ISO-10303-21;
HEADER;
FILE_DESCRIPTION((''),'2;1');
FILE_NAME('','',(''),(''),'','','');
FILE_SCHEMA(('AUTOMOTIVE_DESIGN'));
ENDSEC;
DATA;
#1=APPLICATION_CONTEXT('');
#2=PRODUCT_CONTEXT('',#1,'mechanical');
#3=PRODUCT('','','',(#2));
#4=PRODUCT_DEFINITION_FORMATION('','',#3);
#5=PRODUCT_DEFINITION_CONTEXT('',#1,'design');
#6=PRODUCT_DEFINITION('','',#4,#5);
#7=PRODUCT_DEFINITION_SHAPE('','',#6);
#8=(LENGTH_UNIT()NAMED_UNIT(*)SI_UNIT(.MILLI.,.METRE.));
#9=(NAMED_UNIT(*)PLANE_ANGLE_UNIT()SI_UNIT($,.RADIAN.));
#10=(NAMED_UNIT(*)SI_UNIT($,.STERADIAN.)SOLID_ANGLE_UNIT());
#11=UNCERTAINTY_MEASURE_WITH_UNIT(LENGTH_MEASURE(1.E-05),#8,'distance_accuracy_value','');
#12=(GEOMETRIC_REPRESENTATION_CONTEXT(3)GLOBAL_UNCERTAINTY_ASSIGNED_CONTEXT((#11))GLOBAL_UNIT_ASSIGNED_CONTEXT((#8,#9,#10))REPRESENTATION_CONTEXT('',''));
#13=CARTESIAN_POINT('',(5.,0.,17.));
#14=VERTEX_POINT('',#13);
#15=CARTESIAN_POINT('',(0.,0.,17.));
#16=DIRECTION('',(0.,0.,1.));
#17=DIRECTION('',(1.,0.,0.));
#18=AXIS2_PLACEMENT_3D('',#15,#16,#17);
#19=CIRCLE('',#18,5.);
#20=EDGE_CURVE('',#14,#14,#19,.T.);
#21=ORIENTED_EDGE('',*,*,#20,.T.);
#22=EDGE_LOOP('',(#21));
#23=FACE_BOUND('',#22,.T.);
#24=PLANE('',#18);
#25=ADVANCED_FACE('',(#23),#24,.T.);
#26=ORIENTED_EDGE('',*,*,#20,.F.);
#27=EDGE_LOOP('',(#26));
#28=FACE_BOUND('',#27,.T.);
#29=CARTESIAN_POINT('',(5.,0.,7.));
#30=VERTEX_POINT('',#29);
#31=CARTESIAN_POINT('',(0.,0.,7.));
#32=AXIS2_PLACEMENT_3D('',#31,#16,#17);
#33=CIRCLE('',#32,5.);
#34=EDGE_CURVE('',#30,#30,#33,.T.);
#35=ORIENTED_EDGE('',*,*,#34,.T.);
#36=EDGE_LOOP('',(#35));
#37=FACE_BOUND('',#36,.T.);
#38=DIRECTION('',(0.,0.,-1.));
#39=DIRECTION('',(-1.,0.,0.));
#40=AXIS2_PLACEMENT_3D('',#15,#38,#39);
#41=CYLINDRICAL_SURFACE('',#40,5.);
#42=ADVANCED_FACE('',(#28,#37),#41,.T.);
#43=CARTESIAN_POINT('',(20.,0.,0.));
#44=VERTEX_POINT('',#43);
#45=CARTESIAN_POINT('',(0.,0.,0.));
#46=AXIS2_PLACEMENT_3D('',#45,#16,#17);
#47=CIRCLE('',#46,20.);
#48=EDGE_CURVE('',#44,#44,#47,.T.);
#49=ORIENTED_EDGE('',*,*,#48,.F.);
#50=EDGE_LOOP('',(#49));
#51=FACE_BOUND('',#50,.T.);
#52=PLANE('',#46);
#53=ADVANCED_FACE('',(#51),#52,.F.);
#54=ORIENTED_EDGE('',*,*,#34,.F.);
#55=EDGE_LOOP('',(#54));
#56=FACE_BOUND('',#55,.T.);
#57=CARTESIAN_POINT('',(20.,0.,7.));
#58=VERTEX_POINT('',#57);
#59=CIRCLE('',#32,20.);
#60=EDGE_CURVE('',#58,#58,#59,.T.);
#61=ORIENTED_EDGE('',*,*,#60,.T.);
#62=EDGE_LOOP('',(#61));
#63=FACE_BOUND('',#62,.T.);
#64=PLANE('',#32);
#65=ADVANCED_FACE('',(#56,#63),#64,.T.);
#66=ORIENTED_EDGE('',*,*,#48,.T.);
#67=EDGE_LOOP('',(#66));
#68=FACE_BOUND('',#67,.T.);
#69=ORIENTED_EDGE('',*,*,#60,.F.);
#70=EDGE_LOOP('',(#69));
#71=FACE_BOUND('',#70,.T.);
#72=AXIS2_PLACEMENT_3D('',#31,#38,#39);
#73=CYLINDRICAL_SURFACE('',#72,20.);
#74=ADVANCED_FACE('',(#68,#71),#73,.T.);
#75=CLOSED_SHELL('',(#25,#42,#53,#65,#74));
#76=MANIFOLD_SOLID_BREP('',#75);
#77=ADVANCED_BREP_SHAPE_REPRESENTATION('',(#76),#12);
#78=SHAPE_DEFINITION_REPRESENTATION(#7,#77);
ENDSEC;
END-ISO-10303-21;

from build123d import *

# Parameters (mm, degrees)
ESQUISSE1_R        = 20
BOSS_EXTRU_1_DEPTH = 7
ESQUISSE2_R        = 5
BOSS_EXTRU_2_DEPTH = 10


with BuildPart() as part:
    # Esquisse1 → Boss.-Extru.1 (new body)
    with BuildSketch(Plane.XY):
        Circle(ESQUISSE1_R)
    extrude(amount=BOSS_EXTRU_1_DEPTH)

    # Esquisse2 → Boss.-Extru.2 (add)
    with BuildSketch(Plane.XY.offset(7)):
        Circle(ESQUISSE2_R)
    extrude(amount=BOSS_EXTRU_2_DEPTH)


solid = part.part
